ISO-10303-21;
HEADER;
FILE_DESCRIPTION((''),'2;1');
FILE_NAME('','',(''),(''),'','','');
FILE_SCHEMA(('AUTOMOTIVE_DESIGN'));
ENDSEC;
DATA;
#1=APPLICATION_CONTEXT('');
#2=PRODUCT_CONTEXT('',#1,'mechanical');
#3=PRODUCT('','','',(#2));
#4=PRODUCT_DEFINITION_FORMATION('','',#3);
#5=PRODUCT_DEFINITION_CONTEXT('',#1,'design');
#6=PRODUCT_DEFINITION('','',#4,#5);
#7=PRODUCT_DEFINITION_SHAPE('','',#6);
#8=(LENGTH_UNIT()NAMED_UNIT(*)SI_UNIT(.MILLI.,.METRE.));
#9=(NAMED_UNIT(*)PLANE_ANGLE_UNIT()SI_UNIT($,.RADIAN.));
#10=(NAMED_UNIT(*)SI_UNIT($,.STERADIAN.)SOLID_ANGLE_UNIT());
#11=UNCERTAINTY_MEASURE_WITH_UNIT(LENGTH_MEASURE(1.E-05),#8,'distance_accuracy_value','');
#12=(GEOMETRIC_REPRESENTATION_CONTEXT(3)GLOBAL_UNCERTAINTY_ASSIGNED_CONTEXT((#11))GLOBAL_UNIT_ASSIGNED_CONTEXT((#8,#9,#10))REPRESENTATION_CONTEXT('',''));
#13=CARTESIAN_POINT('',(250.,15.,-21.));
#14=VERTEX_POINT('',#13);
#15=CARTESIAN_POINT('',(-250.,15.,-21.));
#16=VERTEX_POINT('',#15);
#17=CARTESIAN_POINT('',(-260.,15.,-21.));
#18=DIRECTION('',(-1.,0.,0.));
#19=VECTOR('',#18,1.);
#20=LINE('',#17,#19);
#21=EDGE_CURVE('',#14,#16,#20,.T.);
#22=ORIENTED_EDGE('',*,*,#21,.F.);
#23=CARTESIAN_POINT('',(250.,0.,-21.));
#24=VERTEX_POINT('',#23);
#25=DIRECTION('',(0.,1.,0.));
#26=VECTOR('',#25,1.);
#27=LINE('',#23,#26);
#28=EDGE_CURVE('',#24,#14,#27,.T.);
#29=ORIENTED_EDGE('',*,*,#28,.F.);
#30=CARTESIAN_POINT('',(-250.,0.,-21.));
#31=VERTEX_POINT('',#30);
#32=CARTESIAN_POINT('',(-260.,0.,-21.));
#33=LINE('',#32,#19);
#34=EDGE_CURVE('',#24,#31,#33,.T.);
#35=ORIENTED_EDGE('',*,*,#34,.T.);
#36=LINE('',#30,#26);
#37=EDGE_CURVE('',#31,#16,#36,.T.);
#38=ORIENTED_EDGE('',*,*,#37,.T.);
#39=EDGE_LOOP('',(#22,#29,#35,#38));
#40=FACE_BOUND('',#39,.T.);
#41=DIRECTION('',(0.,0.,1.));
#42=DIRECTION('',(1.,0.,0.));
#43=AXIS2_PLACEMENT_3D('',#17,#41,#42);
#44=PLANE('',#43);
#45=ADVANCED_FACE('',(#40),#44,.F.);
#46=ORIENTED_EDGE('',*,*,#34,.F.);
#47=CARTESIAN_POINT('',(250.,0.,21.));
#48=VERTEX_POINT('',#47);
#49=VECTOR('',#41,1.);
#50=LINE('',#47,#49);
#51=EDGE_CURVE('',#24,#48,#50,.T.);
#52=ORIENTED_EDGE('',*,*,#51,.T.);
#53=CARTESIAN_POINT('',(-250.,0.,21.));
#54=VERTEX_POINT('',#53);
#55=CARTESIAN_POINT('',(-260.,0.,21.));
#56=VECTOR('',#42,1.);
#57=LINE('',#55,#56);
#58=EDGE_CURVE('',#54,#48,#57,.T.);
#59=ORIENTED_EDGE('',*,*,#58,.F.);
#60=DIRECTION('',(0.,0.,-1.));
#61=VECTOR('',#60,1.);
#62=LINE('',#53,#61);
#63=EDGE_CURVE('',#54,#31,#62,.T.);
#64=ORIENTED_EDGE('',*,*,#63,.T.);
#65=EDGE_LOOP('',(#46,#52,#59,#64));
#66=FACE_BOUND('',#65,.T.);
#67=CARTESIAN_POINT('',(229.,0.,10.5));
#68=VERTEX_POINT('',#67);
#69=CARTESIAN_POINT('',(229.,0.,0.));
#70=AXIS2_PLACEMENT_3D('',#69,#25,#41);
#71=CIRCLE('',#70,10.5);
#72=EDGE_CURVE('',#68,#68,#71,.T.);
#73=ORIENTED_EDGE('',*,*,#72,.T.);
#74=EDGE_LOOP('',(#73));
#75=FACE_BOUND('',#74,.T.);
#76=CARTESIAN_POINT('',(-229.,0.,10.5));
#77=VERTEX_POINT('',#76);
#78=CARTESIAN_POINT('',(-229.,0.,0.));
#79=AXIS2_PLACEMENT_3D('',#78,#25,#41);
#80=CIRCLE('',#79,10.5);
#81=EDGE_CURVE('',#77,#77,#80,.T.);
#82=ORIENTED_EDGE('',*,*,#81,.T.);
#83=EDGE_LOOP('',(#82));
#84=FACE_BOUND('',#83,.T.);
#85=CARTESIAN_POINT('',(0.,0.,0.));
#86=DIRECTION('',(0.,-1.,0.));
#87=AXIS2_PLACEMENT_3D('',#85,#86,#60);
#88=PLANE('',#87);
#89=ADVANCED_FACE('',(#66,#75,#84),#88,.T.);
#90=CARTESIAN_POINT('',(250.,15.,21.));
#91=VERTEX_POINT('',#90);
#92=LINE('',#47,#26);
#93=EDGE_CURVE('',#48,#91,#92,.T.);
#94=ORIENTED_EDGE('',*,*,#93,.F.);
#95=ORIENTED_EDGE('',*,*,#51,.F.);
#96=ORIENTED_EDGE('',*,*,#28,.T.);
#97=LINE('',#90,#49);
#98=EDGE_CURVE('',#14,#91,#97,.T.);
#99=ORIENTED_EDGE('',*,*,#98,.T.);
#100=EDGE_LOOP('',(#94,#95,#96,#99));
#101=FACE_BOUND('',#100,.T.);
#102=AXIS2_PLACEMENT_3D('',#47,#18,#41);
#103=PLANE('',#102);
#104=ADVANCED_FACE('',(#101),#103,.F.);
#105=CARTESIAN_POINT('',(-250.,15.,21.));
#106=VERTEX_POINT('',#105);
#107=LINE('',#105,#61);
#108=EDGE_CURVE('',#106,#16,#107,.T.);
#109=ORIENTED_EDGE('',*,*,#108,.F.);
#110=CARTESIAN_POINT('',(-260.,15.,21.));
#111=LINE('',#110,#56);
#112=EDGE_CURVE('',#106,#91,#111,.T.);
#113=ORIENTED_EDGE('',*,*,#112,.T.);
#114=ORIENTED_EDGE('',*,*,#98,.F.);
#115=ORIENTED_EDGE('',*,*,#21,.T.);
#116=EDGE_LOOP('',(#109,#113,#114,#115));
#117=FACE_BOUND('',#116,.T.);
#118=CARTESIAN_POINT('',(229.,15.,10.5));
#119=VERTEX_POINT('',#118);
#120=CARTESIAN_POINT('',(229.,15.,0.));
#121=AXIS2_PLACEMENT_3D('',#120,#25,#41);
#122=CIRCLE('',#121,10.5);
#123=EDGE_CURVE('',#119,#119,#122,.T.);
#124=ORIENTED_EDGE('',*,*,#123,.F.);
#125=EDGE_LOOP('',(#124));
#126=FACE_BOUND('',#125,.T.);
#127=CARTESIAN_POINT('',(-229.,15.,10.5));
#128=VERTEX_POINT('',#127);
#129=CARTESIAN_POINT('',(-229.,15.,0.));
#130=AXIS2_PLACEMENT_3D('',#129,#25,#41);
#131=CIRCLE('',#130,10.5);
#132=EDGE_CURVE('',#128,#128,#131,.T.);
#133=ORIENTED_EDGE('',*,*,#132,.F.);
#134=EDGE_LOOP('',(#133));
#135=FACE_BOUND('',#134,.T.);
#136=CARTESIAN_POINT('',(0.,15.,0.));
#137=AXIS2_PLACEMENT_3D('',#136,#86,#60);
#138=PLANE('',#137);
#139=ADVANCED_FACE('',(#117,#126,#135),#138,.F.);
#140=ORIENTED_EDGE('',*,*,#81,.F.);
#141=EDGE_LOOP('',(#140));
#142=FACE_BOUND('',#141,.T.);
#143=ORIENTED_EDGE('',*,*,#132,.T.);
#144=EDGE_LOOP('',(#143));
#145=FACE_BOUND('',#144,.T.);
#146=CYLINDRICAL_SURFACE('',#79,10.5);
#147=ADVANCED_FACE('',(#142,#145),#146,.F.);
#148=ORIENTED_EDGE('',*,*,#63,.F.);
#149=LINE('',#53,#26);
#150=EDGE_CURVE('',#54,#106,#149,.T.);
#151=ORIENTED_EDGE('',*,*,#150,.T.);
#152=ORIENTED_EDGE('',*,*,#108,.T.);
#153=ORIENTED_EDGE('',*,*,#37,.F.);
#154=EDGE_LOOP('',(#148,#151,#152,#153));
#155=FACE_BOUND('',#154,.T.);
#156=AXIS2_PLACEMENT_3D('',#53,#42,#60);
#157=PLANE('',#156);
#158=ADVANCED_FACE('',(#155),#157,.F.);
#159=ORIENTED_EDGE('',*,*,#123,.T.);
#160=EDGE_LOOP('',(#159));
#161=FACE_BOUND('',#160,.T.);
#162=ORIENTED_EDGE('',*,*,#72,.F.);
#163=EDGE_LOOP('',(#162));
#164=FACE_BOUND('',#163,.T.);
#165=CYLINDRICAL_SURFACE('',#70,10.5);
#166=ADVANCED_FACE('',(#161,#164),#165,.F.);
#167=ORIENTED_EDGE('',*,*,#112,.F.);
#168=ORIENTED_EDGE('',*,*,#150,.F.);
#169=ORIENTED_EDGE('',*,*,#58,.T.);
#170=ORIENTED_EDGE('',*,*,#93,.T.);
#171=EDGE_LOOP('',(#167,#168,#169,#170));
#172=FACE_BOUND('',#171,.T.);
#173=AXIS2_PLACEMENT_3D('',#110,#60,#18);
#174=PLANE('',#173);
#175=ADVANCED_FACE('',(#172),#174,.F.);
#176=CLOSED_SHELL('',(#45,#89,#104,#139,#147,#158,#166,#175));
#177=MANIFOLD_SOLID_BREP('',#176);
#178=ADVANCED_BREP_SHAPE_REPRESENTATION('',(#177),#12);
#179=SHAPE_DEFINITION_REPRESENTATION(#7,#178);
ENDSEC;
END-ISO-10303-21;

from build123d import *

# Parameters (mm, degrees)
ESQUISSE1_W             = 520
ESQUISSE1_H             = 42
BOSS_EXTRU_1_DEPTH      = 15
ESQUISSE2_R             = 10.5
ENL_V_MAT_EXTRU_1_DEPTH = 15
ESQUISSE3_W             = 10
ESQUISSE3_H             = 42
ENL_V_MAT_EXTRU_2_DEPTH = 262.277630118


with BuildPart() as part:
    # Esquisse1 → Boss.-Extru.1 (new body)
    with BuildSketch(Plane(origin=(0, 0, 0), x_dir=(1, 0, 0), z_dir=(0, 1, 0))):
        Rectangle(ESQUISSE1_W, ESQUISSE1_H)
    extrude(amount=BOSS_EXTRU_1_DEPTH)

    # Esquisse2 → Enlèv. mat.-Extru.1 (cut)
    with BuildSketch(Plane(origin=(0, 15, 0), x_dir=(1, 0, 0), z_dir=(0, 1, 0))):
        with Locations(Location((-229, 0, 0), (0, 0, 270))):
            Circle(ESQUISSE2_R)
        with Locations(Location((229, 0, 0), (0, 0, 270))):
            Circle(ESQUISSE2_R)
    extrude(amount=-ENL_V_MAT_EXTRU_1_DEPTH, mode=Mode.SUBTRACT)

    # Esquisse3 → Enlèv. mat.-Extru.2 (cut, through all)
    with BuildSketch(Plane(origin=(0, 15, 0), x_dir=(1, 0, 0), z_dir=(0, 1, 0))):
        with Locations((-255, 0)):
            Rectangle(ESQUISSE3_W, ESQUISSE3_H)
        with Locations((255, 0)):
            Rectangle(ESQUISSE3_W, ESQUISSE3_H)
    extrude(amount=-ENL_V_MAT_EXTRU_2_DEPTH, mode=Mode.SUBTRACT)


solid = part.part
